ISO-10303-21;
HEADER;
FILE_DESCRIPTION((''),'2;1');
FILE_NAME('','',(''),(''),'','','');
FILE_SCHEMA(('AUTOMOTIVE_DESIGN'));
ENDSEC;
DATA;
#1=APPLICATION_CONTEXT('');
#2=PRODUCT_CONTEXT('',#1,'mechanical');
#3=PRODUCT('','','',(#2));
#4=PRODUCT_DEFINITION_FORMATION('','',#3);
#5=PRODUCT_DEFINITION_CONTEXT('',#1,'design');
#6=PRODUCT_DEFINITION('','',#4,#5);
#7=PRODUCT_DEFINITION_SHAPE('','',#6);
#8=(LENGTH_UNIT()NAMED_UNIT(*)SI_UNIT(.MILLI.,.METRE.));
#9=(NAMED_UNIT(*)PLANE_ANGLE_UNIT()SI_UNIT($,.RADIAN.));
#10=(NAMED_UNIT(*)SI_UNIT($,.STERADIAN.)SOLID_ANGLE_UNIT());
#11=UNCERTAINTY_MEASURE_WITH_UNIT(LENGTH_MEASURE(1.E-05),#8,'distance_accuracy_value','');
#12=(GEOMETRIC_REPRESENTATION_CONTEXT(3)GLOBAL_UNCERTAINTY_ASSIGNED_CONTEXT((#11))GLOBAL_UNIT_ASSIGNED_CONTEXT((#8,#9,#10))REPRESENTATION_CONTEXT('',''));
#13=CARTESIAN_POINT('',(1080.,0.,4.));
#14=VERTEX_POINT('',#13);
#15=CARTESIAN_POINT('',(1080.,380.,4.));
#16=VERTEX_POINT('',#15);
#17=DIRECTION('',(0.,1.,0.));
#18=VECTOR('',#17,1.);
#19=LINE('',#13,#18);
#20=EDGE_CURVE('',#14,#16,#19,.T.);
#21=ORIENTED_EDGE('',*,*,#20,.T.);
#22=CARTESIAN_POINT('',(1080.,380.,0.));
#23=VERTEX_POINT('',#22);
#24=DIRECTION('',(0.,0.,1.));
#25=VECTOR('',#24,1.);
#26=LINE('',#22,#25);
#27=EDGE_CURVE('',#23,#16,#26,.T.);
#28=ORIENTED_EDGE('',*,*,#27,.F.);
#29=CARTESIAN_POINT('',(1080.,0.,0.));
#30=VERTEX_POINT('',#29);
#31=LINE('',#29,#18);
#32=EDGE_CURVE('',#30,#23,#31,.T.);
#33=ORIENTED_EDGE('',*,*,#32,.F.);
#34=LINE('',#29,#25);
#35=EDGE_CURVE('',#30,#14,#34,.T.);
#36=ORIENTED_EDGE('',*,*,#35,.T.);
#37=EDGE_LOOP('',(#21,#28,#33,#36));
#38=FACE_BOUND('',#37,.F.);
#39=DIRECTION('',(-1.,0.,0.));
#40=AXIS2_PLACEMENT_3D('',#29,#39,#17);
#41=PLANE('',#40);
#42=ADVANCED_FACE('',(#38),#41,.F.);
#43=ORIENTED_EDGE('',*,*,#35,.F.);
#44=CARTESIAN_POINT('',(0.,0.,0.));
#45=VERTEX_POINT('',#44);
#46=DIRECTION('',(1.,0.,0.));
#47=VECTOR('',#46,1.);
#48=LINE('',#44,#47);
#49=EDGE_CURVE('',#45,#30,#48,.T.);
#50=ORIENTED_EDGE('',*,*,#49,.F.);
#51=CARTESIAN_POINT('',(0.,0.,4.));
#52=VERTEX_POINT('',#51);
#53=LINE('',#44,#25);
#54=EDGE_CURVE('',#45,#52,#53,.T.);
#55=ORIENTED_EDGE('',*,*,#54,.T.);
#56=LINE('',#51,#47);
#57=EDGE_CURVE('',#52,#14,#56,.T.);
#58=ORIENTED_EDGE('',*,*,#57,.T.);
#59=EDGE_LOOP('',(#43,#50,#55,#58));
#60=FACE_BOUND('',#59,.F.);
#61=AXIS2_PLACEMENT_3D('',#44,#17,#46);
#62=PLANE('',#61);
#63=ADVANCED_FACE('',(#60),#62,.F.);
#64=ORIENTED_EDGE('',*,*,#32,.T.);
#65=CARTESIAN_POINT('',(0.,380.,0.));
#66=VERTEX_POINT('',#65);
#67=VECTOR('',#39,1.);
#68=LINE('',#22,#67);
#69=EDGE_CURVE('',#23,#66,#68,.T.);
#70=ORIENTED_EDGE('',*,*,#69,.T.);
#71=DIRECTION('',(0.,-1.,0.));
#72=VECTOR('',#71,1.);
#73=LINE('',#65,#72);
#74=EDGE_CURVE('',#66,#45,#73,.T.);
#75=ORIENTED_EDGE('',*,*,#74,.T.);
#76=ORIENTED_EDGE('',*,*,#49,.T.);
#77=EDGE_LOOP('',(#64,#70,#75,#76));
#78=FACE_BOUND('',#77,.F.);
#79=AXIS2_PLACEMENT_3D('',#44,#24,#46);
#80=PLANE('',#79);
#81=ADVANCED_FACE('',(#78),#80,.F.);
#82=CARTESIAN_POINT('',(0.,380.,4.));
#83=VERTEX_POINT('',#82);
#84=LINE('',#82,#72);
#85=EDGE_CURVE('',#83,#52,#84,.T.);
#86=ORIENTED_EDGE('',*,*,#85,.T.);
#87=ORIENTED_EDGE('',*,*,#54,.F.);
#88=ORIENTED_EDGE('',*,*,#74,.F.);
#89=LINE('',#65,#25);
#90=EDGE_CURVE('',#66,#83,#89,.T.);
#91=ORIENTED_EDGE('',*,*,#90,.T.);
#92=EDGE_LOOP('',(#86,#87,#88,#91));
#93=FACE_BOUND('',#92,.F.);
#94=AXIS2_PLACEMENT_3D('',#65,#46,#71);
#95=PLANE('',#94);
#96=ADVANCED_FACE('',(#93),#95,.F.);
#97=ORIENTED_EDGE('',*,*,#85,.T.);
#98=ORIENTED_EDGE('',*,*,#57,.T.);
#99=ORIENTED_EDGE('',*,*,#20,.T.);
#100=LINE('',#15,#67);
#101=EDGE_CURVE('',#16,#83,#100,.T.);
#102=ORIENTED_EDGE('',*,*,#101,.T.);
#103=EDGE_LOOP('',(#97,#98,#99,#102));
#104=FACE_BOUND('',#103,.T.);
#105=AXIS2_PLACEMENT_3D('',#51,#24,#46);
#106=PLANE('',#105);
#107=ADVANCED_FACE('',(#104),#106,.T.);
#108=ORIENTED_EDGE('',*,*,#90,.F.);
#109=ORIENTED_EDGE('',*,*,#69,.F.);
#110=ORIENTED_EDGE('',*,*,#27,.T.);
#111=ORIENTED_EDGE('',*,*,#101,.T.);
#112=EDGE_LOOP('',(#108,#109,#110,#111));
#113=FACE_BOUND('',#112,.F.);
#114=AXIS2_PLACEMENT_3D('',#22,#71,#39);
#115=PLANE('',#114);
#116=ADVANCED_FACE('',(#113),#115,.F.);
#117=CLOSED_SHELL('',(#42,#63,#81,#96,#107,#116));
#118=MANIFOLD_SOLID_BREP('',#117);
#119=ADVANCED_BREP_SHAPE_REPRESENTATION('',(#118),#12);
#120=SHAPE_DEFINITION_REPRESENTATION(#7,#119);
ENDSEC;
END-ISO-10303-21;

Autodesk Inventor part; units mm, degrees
ref_plane "YZ Plane" through (0, 0, 0) normal (1, 0, 0) x (0, 1, 0)
ref_plane "XZ Plane" through (0, 0, 0) normal (0, 1, 0) x (-1, 0, 0)
ref_plane "XY Plane" through (0, 0, 0) normal (0, 0, 1) x (1, 0, 0)
sketch "Sketch1" plane through (0, 0, 0) normal (0, 0, 1) x (1, 0, 0)
  line L0 (0, 0) -> (1080, 0)
  line L1 (1080, 0) -> (1080, 380)
  line L2 (1080, 380) -> (0, 380)
  line L3 (0, 380) -> (0, 0)
  dimension "d0" = 1080
  dimension "d1" = 380
extrude "Extrusion1" add sketch "Sketch1" along normal blind 4
properties part number "Front Panel Window" material "Polycarbonate, Clear"
